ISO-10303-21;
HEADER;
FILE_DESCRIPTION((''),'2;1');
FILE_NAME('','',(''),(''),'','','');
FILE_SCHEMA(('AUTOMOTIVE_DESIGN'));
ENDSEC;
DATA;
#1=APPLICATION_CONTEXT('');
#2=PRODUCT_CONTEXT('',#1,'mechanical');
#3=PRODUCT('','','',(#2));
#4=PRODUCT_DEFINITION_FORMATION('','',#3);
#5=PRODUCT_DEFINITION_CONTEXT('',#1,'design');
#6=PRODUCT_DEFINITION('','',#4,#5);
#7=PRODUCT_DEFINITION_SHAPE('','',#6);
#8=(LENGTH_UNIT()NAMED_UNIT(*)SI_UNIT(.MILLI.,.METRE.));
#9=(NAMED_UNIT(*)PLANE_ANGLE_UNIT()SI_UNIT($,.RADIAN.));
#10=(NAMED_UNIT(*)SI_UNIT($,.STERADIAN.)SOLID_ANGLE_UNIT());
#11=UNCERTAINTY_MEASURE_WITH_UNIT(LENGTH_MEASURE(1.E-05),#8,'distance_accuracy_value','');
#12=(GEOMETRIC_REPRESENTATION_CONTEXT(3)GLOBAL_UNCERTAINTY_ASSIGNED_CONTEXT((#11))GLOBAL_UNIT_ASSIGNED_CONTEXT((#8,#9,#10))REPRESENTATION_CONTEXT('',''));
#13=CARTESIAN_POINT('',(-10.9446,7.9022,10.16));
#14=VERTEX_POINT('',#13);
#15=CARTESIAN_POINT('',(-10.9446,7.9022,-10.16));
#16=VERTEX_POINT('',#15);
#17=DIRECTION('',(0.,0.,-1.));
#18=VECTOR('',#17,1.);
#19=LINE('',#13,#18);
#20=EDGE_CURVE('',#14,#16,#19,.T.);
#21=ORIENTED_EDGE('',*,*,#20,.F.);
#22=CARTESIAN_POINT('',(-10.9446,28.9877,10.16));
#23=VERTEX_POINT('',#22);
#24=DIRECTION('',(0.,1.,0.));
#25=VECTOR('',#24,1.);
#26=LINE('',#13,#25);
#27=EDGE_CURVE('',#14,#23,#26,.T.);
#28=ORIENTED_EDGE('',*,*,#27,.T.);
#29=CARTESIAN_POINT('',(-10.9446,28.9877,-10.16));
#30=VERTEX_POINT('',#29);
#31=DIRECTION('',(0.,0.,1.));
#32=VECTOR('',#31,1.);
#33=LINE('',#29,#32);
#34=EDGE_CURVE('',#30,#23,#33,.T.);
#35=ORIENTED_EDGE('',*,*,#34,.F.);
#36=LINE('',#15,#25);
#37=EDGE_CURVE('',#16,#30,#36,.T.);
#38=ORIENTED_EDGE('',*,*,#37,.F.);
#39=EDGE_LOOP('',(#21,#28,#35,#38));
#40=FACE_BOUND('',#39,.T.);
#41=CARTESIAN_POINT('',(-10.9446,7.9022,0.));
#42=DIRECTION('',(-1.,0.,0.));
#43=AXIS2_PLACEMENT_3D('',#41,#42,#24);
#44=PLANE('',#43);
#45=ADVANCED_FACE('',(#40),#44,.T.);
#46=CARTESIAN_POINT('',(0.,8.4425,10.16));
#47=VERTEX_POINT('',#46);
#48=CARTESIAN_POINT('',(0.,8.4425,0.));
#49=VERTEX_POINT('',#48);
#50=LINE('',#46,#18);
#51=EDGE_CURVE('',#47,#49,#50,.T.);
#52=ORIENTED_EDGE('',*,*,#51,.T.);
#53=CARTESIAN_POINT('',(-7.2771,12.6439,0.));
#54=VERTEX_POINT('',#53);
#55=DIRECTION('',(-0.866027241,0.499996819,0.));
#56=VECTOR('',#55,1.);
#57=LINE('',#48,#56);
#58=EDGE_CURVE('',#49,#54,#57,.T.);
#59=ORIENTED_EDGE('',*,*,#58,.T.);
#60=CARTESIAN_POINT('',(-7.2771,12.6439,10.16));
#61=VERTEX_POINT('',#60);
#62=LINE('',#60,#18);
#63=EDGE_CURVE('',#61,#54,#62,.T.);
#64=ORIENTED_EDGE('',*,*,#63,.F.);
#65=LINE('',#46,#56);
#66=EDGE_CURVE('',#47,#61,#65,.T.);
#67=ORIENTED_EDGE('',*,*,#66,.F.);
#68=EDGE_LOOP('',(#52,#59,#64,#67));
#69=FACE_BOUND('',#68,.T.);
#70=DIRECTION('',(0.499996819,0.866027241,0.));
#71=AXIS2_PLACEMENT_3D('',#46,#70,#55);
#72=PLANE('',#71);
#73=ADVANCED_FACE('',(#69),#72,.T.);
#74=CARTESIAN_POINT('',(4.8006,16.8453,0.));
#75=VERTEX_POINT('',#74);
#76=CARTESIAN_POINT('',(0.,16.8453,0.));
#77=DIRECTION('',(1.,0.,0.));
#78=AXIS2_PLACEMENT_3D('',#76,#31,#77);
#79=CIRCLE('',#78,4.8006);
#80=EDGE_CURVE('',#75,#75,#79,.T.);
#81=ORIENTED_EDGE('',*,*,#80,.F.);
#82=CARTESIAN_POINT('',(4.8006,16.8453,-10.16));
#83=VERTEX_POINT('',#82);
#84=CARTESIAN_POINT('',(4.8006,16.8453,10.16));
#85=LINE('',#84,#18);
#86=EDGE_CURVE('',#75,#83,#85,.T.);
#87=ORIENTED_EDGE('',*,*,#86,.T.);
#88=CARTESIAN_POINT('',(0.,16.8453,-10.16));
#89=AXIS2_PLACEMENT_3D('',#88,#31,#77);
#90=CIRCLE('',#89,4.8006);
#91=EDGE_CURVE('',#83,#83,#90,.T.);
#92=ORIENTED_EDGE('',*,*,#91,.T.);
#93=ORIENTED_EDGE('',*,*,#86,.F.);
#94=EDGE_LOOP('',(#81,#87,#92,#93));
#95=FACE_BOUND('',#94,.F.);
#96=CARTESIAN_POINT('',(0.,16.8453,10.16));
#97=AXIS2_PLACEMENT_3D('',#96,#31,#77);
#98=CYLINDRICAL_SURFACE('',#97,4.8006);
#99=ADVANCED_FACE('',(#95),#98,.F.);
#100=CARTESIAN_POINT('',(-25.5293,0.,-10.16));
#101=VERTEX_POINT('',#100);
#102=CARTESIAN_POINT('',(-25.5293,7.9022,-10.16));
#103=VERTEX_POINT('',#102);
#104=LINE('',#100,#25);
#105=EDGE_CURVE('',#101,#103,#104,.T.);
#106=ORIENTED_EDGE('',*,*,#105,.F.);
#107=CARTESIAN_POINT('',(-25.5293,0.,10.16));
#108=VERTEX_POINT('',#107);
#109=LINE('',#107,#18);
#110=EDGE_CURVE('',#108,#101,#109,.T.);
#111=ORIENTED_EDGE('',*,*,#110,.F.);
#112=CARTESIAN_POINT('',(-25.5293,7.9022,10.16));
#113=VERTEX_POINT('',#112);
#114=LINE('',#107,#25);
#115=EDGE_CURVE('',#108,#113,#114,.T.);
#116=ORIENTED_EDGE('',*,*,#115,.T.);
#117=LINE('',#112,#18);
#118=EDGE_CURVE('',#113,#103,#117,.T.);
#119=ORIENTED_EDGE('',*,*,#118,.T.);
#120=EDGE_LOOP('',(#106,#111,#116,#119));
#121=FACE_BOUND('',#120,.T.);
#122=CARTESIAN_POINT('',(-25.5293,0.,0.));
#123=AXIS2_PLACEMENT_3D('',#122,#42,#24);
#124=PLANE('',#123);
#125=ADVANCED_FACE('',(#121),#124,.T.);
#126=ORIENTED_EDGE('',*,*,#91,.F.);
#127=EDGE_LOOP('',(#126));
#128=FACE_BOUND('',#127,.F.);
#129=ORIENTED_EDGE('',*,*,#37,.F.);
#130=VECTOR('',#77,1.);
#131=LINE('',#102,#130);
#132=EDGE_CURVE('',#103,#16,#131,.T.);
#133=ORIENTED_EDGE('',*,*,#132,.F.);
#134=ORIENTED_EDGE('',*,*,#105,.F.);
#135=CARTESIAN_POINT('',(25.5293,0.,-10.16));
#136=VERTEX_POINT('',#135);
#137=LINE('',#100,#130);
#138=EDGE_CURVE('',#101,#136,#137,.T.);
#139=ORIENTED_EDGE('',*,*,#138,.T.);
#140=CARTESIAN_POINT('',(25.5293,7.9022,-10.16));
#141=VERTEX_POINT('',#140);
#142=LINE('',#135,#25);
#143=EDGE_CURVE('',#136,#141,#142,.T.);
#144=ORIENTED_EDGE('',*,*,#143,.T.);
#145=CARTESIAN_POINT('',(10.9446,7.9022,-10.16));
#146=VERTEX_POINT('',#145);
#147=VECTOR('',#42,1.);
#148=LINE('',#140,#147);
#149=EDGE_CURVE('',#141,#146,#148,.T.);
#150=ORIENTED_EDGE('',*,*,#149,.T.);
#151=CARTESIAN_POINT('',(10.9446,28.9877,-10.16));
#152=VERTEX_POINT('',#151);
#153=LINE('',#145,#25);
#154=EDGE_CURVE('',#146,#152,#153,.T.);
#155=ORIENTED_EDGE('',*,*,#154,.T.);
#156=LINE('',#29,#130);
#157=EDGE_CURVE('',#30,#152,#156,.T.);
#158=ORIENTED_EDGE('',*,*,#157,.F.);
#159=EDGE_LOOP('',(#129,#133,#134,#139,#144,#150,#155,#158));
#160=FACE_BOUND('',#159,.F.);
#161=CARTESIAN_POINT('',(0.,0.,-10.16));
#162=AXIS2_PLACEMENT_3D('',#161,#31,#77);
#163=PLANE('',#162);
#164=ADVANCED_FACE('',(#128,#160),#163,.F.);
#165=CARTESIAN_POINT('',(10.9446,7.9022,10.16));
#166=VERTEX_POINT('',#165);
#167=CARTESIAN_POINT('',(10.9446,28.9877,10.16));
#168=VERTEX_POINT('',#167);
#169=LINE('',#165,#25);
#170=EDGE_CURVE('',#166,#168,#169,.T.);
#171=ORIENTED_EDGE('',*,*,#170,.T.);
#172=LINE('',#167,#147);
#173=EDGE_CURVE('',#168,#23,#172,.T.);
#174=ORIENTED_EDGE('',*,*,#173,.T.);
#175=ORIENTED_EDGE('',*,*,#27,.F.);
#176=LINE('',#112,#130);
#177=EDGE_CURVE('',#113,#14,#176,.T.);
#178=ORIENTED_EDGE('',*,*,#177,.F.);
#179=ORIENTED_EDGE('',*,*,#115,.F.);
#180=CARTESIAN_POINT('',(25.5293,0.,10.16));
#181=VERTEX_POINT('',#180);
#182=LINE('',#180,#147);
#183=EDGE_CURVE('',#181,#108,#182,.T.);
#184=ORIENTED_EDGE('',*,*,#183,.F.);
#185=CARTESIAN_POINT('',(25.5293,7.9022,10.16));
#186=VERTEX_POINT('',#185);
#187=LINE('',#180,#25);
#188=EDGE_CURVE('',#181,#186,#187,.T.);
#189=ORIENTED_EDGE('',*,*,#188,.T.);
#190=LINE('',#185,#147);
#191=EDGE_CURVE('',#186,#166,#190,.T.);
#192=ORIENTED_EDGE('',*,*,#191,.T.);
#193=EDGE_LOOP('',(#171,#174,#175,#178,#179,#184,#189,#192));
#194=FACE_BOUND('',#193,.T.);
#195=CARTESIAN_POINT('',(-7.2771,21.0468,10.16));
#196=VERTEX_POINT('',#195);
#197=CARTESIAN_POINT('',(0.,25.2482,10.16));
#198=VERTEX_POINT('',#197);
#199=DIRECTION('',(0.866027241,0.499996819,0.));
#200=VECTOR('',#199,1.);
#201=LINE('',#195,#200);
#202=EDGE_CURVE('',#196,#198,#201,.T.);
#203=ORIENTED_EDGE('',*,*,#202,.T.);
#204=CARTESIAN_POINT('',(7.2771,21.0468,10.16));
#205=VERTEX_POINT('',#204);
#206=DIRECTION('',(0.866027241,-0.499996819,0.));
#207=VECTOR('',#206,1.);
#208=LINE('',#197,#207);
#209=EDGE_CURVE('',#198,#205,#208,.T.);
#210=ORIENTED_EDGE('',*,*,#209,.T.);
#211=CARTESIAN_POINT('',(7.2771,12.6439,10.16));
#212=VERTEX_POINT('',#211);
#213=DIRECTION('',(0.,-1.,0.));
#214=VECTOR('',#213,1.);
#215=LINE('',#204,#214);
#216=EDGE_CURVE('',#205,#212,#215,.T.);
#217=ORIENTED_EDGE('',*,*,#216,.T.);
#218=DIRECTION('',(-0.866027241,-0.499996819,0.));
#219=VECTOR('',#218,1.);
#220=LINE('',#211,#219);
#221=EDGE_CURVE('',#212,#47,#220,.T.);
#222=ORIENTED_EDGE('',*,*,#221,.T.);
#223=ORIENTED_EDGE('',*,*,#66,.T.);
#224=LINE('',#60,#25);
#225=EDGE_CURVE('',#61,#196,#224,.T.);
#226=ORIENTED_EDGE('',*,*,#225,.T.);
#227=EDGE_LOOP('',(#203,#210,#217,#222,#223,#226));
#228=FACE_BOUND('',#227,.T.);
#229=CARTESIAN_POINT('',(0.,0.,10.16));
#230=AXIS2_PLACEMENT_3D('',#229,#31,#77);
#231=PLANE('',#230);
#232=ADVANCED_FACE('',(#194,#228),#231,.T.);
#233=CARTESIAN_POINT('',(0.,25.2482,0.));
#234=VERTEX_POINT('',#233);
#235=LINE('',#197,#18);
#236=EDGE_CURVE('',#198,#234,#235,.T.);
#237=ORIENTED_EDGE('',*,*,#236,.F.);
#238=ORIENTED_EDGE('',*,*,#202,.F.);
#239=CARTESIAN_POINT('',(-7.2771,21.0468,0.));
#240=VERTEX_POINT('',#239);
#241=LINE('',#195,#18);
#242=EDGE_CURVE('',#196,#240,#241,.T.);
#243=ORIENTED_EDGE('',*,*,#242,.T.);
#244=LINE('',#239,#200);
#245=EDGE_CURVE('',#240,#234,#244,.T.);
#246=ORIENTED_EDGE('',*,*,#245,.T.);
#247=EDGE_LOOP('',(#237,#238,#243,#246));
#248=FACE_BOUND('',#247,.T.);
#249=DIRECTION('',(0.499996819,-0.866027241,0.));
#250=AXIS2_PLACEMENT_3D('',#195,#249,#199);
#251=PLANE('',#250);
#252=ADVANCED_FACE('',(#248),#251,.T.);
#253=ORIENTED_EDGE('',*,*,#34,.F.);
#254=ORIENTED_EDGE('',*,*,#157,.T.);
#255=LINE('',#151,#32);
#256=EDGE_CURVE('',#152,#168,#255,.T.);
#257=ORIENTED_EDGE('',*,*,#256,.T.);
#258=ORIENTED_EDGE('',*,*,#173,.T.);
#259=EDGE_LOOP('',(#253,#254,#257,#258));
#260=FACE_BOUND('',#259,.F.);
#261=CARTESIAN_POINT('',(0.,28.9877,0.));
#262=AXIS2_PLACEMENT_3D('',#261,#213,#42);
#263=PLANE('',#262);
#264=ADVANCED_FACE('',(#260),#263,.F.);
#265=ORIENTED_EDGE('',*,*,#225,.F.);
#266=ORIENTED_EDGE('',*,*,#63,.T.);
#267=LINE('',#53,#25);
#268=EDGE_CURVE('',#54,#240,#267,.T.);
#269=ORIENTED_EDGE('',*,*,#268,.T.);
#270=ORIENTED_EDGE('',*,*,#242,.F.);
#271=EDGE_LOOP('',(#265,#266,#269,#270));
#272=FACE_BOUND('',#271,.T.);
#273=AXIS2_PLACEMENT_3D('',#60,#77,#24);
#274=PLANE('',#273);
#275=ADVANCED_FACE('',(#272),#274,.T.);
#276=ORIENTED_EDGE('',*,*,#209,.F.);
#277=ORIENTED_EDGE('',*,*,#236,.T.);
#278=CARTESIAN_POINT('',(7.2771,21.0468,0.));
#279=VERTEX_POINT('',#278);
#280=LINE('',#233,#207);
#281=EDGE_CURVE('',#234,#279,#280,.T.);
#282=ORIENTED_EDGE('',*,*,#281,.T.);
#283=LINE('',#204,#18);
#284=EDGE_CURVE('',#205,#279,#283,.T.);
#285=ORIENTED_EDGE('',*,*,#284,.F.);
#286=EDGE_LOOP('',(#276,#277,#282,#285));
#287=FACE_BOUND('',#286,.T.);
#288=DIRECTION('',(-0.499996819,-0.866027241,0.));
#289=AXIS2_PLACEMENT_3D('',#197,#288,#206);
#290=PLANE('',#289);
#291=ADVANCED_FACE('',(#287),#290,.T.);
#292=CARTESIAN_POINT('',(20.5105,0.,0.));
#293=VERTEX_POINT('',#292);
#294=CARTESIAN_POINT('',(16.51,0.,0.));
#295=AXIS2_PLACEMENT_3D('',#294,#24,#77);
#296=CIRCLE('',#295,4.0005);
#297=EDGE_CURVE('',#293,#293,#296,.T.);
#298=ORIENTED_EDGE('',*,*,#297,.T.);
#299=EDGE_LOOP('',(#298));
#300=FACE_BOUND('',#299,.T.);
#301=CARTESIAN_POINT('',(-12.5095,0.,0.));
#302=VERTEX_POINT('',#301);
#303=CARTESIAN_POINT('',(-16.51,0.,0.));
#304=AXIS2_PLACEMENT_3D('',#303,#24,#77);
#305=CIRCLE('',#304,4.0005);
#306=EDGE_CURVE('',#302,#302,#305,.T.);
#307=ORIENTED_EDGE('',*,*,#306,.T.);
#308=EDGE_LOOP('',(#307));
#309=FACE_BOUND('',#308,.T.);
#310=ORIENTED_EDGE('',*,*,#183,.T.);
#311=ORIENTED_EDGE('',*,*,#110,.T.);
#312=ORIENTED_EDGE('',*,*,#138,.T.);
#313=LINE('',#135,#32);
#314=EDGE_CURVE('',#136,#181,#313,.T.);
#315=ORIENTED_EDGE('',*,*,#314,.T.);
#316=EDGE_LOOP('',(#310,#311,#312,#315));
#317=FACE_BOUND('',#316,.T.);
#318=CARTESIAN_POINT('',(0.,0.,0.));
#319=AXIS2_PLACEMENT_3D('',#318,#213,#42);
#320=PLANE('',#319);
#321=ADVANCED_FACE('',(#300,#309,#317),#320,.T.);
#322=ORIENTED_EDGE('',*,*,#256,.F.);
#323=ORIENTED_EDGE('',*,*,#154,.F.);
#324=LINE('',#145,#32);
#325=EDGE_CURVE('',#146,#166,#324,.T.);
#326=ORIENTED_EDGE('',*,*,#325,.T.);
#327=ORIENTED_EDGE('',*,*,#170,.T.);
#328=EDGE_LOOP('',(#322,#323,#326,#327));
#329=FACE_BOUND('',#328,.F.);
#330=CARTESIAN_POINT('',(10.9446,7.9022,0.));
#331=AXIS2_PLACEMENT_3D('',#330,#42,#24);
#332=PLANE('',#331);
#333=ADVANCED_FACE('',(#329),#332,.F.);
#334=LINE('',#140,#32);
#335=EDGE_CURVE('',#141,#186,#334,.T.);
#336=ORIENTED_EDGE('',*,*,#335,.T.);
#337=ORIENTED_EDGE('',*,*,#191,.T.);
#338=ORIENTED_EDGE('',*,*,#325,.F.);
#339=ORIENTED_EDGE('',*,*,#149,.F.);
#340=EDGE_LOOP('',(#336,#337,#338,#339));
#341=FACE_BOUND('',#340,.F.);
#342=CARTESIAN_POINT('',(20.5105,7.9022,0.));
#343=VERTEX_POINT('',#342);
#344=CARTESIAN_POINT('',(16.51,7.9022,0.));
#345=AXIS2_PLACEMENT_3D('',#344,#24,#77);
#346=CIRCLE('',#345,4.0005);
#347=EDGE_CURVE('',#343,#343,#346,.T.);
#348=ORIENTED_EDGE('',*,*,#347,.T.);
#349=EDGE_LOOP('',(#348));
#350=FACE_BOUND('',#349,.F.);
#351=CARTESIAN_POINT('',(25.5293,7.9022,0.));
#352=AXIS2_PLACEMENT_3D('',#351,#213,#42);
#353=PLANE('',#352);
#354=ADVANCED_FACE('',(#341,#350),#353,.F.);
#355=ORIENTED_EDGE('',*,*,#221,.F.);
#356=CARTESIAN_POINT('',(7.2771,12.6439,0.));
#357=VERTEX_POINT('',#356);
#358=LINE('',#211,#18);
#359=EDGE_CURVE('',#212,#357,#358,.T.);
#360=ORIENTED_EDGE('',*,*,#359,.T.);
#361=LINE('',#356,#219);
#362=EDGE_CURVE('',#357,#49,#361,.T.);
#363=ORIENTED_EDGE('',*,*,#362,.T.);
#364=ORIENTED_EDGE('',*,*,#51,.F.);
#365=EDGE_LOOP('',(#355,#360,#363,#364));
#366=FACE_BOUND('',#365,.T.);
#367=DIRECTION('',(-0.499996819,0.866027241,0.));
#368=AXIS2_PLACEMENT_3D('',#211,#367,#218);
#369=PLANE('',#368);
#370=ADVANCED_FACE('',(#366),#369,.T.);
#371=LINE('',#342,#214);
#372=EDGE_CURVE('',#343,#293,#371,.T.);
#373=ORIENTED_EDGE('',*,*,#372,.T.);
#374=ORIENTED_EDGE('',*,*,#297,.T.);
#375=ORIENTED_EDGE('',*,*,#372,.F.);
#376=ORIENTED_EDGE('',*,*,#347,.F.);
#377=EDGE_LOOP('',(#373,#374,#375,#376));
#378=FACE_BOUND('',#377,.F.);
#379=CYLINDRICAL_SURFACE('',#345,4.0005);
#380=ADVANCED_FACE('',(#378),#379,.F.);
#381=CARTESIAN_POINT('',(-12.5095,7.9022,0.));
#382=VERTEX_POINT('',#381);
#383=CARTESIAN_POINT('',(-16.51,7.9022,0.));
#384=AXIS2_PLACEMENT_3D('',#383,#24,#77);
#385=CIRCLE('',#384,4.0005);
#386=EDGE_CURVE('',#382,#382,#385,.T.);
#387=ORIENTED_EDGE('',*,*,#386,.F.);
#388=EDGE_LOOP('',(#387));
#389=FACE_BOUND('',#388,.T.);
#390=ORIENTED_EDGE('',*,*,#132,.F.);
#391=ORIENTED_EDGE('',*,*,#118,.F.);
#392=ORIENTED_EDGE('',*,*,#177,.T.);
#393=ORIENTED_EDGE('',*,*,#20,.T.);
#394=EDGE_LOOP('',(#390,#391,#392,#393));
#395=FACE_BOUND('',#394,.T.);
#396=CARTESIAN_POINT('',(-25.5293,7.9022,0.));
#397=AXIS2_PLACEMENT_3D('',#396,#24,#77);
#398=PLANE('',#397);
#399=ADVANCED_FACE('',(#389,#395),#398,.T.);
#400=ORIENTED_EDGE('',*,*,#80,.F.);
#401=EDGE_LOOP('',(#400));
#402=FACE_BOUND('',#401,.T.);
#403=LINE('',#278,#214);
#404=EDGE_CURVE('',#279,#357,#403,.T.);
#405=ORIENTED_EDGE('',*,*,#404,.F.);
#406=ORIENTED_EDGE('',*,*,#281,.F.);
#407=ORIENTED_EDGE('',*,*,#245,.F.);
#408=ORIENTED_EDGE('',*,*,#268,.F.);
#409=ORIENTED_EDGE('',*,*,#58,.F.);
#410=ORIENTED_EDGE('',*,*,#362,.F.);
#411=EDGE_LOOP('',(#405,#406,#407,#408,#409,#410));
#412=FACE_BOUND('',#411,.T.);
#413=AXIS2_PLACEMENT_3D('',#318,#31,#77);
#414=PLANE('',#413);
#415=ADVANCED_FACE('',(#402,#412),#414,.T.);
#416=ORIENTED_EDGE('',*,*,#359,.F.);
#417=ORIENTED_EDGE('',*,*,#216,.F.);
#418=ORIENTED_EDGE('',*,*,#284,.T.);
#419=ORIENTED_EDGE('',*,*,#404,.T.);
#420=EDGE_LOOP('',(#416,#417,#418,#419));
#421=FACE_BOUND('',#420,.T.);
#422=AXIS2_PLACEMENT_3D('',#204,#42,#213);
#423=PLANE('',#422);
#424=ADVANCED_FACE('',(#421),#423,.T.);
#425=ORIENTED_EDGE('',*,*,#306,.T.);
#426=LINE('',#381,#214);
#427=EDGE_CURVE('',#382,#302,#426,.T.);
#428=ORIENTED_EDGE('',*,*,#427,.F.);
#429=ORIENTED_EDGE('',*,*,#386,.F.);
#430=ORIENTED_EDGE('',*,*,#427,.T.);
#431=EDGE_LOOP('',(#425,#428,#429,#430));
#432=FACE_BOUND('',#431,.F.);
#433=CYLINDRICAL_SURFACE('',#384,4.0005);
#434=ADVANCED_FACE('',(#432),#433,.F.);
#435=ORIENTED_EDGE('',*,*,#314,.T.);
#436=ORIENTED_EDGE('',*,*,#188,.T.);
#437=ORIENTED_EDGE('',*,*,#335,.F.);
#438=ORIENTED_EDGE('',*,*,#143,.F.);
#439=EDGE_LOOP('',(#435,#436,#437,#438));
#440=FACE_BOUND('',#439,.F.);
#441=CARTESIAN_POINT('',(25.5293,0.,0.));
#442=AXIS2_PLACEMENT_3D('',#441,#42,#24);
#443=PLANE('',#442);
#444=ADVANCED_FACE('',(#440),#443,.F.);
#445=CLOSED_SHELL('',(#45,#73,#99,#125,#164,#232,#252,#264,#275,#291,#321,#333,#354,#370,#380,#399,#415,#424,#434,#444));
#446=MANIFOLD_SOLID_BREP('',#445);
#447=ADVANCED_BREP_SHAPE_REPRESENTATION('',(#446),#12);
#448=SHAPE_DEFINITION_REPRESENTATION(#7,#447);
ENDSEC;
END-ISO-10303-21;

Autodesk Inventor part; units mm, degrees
ref_plane "YZ Plane" through (0, 0, 0) normal (1, 0, 0) x (0, 1, 0)
ref_plane "XZ Plane" through (0, 0, 0) normal (0, 1, 0) x (-1, 0, 0)
ref_plane "XY Plane" through (0, 0, 0) normal (0, 0, 1) x (1, 0, 0)
sketch "Sketch1" plane through (0, 0, 0) normal (0, 0, 1) x (1, 0, 0)
  line L0 (0, 0) -> (-25.5293, 0)
  line L1 (-25.5293, 0) -> (-25.5293, 7.9022)
  line L2 (-25.5293, 7.9022) -> (-10.9446, 7.9022)
  line L3 (-10.9446, 7.9022) -> (-10.9446, 28.9877)
  line L4 (0, -5.7975) -> (0, 34.7852) projected
  line L5 (0, 0) -> (25.5293, 0)
  line L6 (25.5293, 0) -> (25.5293, 7.9022)
  line L7 (25.5293, 7.9022) -> (10.9446, 7.9022)
  line L8 (10.9446, 7.9022) -> (10.9446, 28.9877)
  line L9 (10.9446, 28.9877) -> (-10.9446, 28.9877)
extrude "Extrusion1" add sketch "Sketch1" along normal mid plane 20.32
sketch "Sketch2" plane through (0, 0, 10.16) normal (0, 0, 1) x (1, 0, 0)
  line L0 (-10.9446, 7.9022) -> (-25.5293, 7.9022) projected
  line L1 (-25.5293, 7.9022) -> (-25.5293, 0) projected
  line L2 (-25.5293, 0) -> (25.5293, 0) projected
  line L3 (25.5293, 0) -> (25.5293, 7.9022) projected
  line L4 (25.5293, 7.9022) -> (10.9446, 7.9022) projected
  line L5 (10.9446, 7.9022) -> (10.9446, 28.9877) projected
  line L6 (10.9446, 28.9877) -> (-10.9446, 28.9877) projected
  line L7 (-10.9446, 28.9877) -> (-10.9446, 7.9022) projected
  line L8 (0, -6.2231) -> (0, 37.3386) projected
  line L9 (0, 25.2482) -> (7.2771, 21.0468)
  line L10 (7.2771, 21.0468) -> (7.2771, 12.6439)
  line L11 (7.2771, 12.6439) -> (0, 8.4425)
  line L12 (0, 8.4425) -> (-7.2771, 12.6439)
  line L13 (-7.2771, 12.6439) -> (-7.2771, 21.0468)
  line L14 (-7.2771, 21.0468) -> (0, 25.2482)
  circle A0 centre (0, 16.8453) radius 4.8006
  point P0 (0, 0)
  dimension "d5" = 14.5542
  dimension "d6" = 9.6012
extrude "Extrusion2" cut sketch "Sketch2" against normal through all contours A0 L8 | L8 A0
extrude "Extrusion3" cut sketch "Sketch2" against normal blind 10.16 contours L9 L10 L11 L8 A0 | L8 A0 L12 L13 L14
sketch "Sketch3" plane through (-25.5293, 7.9022, 10.16) normal (0, 1, 0) x (1, 0, 0)
  line L0 (0, 20.32) -> (0, 0) projected
  line L1 (14.5848, 0) -> (0, 0) projected
  line L2 (14.5848, 20.32) -> (14.5848, 0) projected
  line L3 (0, 20.32) -> (14.5848, 20.32) projected
  line L4 (36.4739, 20.32) -> (36.4739, 0) projected
  line L5 (51.0586, 0) -> (36.4739, 0) projected
  line L6 (51.0586, 20.32) -> (51.0586, 0) projected
  line L7 (36.4739, 20.32) -> (51.0586, 20.32) projected
  circle A0 centre (9.0193, 10.16) radius 4.0005
  line L8 (14.5848, 20.32) -> (14.5848, 0) projected
  line L9 (36.4739, 0) -> (14.5848, 0) projected
  line L10 (36.4739, 20.32) -> (36.4739, 0) projected
  line L11 (14.5848, 20.32) -> (36.4739, 20.32) projected
  line L12 (25.5293, 24.384) -> (25.5293, -4.064) projected
  circle A1 centre (42.0393, 10.16) radius 4.0005
  point P0 (25.5293, 10.16)
  point P1 (0, 10.16)
  dimension "d11" = 8.001
  dimension "d15" = 33.02
extrude "Extrusion4" cut sketch "Sketch3" against normal through all contours A0 | A1
properties part number "y_axis_lead_screw_insert"
